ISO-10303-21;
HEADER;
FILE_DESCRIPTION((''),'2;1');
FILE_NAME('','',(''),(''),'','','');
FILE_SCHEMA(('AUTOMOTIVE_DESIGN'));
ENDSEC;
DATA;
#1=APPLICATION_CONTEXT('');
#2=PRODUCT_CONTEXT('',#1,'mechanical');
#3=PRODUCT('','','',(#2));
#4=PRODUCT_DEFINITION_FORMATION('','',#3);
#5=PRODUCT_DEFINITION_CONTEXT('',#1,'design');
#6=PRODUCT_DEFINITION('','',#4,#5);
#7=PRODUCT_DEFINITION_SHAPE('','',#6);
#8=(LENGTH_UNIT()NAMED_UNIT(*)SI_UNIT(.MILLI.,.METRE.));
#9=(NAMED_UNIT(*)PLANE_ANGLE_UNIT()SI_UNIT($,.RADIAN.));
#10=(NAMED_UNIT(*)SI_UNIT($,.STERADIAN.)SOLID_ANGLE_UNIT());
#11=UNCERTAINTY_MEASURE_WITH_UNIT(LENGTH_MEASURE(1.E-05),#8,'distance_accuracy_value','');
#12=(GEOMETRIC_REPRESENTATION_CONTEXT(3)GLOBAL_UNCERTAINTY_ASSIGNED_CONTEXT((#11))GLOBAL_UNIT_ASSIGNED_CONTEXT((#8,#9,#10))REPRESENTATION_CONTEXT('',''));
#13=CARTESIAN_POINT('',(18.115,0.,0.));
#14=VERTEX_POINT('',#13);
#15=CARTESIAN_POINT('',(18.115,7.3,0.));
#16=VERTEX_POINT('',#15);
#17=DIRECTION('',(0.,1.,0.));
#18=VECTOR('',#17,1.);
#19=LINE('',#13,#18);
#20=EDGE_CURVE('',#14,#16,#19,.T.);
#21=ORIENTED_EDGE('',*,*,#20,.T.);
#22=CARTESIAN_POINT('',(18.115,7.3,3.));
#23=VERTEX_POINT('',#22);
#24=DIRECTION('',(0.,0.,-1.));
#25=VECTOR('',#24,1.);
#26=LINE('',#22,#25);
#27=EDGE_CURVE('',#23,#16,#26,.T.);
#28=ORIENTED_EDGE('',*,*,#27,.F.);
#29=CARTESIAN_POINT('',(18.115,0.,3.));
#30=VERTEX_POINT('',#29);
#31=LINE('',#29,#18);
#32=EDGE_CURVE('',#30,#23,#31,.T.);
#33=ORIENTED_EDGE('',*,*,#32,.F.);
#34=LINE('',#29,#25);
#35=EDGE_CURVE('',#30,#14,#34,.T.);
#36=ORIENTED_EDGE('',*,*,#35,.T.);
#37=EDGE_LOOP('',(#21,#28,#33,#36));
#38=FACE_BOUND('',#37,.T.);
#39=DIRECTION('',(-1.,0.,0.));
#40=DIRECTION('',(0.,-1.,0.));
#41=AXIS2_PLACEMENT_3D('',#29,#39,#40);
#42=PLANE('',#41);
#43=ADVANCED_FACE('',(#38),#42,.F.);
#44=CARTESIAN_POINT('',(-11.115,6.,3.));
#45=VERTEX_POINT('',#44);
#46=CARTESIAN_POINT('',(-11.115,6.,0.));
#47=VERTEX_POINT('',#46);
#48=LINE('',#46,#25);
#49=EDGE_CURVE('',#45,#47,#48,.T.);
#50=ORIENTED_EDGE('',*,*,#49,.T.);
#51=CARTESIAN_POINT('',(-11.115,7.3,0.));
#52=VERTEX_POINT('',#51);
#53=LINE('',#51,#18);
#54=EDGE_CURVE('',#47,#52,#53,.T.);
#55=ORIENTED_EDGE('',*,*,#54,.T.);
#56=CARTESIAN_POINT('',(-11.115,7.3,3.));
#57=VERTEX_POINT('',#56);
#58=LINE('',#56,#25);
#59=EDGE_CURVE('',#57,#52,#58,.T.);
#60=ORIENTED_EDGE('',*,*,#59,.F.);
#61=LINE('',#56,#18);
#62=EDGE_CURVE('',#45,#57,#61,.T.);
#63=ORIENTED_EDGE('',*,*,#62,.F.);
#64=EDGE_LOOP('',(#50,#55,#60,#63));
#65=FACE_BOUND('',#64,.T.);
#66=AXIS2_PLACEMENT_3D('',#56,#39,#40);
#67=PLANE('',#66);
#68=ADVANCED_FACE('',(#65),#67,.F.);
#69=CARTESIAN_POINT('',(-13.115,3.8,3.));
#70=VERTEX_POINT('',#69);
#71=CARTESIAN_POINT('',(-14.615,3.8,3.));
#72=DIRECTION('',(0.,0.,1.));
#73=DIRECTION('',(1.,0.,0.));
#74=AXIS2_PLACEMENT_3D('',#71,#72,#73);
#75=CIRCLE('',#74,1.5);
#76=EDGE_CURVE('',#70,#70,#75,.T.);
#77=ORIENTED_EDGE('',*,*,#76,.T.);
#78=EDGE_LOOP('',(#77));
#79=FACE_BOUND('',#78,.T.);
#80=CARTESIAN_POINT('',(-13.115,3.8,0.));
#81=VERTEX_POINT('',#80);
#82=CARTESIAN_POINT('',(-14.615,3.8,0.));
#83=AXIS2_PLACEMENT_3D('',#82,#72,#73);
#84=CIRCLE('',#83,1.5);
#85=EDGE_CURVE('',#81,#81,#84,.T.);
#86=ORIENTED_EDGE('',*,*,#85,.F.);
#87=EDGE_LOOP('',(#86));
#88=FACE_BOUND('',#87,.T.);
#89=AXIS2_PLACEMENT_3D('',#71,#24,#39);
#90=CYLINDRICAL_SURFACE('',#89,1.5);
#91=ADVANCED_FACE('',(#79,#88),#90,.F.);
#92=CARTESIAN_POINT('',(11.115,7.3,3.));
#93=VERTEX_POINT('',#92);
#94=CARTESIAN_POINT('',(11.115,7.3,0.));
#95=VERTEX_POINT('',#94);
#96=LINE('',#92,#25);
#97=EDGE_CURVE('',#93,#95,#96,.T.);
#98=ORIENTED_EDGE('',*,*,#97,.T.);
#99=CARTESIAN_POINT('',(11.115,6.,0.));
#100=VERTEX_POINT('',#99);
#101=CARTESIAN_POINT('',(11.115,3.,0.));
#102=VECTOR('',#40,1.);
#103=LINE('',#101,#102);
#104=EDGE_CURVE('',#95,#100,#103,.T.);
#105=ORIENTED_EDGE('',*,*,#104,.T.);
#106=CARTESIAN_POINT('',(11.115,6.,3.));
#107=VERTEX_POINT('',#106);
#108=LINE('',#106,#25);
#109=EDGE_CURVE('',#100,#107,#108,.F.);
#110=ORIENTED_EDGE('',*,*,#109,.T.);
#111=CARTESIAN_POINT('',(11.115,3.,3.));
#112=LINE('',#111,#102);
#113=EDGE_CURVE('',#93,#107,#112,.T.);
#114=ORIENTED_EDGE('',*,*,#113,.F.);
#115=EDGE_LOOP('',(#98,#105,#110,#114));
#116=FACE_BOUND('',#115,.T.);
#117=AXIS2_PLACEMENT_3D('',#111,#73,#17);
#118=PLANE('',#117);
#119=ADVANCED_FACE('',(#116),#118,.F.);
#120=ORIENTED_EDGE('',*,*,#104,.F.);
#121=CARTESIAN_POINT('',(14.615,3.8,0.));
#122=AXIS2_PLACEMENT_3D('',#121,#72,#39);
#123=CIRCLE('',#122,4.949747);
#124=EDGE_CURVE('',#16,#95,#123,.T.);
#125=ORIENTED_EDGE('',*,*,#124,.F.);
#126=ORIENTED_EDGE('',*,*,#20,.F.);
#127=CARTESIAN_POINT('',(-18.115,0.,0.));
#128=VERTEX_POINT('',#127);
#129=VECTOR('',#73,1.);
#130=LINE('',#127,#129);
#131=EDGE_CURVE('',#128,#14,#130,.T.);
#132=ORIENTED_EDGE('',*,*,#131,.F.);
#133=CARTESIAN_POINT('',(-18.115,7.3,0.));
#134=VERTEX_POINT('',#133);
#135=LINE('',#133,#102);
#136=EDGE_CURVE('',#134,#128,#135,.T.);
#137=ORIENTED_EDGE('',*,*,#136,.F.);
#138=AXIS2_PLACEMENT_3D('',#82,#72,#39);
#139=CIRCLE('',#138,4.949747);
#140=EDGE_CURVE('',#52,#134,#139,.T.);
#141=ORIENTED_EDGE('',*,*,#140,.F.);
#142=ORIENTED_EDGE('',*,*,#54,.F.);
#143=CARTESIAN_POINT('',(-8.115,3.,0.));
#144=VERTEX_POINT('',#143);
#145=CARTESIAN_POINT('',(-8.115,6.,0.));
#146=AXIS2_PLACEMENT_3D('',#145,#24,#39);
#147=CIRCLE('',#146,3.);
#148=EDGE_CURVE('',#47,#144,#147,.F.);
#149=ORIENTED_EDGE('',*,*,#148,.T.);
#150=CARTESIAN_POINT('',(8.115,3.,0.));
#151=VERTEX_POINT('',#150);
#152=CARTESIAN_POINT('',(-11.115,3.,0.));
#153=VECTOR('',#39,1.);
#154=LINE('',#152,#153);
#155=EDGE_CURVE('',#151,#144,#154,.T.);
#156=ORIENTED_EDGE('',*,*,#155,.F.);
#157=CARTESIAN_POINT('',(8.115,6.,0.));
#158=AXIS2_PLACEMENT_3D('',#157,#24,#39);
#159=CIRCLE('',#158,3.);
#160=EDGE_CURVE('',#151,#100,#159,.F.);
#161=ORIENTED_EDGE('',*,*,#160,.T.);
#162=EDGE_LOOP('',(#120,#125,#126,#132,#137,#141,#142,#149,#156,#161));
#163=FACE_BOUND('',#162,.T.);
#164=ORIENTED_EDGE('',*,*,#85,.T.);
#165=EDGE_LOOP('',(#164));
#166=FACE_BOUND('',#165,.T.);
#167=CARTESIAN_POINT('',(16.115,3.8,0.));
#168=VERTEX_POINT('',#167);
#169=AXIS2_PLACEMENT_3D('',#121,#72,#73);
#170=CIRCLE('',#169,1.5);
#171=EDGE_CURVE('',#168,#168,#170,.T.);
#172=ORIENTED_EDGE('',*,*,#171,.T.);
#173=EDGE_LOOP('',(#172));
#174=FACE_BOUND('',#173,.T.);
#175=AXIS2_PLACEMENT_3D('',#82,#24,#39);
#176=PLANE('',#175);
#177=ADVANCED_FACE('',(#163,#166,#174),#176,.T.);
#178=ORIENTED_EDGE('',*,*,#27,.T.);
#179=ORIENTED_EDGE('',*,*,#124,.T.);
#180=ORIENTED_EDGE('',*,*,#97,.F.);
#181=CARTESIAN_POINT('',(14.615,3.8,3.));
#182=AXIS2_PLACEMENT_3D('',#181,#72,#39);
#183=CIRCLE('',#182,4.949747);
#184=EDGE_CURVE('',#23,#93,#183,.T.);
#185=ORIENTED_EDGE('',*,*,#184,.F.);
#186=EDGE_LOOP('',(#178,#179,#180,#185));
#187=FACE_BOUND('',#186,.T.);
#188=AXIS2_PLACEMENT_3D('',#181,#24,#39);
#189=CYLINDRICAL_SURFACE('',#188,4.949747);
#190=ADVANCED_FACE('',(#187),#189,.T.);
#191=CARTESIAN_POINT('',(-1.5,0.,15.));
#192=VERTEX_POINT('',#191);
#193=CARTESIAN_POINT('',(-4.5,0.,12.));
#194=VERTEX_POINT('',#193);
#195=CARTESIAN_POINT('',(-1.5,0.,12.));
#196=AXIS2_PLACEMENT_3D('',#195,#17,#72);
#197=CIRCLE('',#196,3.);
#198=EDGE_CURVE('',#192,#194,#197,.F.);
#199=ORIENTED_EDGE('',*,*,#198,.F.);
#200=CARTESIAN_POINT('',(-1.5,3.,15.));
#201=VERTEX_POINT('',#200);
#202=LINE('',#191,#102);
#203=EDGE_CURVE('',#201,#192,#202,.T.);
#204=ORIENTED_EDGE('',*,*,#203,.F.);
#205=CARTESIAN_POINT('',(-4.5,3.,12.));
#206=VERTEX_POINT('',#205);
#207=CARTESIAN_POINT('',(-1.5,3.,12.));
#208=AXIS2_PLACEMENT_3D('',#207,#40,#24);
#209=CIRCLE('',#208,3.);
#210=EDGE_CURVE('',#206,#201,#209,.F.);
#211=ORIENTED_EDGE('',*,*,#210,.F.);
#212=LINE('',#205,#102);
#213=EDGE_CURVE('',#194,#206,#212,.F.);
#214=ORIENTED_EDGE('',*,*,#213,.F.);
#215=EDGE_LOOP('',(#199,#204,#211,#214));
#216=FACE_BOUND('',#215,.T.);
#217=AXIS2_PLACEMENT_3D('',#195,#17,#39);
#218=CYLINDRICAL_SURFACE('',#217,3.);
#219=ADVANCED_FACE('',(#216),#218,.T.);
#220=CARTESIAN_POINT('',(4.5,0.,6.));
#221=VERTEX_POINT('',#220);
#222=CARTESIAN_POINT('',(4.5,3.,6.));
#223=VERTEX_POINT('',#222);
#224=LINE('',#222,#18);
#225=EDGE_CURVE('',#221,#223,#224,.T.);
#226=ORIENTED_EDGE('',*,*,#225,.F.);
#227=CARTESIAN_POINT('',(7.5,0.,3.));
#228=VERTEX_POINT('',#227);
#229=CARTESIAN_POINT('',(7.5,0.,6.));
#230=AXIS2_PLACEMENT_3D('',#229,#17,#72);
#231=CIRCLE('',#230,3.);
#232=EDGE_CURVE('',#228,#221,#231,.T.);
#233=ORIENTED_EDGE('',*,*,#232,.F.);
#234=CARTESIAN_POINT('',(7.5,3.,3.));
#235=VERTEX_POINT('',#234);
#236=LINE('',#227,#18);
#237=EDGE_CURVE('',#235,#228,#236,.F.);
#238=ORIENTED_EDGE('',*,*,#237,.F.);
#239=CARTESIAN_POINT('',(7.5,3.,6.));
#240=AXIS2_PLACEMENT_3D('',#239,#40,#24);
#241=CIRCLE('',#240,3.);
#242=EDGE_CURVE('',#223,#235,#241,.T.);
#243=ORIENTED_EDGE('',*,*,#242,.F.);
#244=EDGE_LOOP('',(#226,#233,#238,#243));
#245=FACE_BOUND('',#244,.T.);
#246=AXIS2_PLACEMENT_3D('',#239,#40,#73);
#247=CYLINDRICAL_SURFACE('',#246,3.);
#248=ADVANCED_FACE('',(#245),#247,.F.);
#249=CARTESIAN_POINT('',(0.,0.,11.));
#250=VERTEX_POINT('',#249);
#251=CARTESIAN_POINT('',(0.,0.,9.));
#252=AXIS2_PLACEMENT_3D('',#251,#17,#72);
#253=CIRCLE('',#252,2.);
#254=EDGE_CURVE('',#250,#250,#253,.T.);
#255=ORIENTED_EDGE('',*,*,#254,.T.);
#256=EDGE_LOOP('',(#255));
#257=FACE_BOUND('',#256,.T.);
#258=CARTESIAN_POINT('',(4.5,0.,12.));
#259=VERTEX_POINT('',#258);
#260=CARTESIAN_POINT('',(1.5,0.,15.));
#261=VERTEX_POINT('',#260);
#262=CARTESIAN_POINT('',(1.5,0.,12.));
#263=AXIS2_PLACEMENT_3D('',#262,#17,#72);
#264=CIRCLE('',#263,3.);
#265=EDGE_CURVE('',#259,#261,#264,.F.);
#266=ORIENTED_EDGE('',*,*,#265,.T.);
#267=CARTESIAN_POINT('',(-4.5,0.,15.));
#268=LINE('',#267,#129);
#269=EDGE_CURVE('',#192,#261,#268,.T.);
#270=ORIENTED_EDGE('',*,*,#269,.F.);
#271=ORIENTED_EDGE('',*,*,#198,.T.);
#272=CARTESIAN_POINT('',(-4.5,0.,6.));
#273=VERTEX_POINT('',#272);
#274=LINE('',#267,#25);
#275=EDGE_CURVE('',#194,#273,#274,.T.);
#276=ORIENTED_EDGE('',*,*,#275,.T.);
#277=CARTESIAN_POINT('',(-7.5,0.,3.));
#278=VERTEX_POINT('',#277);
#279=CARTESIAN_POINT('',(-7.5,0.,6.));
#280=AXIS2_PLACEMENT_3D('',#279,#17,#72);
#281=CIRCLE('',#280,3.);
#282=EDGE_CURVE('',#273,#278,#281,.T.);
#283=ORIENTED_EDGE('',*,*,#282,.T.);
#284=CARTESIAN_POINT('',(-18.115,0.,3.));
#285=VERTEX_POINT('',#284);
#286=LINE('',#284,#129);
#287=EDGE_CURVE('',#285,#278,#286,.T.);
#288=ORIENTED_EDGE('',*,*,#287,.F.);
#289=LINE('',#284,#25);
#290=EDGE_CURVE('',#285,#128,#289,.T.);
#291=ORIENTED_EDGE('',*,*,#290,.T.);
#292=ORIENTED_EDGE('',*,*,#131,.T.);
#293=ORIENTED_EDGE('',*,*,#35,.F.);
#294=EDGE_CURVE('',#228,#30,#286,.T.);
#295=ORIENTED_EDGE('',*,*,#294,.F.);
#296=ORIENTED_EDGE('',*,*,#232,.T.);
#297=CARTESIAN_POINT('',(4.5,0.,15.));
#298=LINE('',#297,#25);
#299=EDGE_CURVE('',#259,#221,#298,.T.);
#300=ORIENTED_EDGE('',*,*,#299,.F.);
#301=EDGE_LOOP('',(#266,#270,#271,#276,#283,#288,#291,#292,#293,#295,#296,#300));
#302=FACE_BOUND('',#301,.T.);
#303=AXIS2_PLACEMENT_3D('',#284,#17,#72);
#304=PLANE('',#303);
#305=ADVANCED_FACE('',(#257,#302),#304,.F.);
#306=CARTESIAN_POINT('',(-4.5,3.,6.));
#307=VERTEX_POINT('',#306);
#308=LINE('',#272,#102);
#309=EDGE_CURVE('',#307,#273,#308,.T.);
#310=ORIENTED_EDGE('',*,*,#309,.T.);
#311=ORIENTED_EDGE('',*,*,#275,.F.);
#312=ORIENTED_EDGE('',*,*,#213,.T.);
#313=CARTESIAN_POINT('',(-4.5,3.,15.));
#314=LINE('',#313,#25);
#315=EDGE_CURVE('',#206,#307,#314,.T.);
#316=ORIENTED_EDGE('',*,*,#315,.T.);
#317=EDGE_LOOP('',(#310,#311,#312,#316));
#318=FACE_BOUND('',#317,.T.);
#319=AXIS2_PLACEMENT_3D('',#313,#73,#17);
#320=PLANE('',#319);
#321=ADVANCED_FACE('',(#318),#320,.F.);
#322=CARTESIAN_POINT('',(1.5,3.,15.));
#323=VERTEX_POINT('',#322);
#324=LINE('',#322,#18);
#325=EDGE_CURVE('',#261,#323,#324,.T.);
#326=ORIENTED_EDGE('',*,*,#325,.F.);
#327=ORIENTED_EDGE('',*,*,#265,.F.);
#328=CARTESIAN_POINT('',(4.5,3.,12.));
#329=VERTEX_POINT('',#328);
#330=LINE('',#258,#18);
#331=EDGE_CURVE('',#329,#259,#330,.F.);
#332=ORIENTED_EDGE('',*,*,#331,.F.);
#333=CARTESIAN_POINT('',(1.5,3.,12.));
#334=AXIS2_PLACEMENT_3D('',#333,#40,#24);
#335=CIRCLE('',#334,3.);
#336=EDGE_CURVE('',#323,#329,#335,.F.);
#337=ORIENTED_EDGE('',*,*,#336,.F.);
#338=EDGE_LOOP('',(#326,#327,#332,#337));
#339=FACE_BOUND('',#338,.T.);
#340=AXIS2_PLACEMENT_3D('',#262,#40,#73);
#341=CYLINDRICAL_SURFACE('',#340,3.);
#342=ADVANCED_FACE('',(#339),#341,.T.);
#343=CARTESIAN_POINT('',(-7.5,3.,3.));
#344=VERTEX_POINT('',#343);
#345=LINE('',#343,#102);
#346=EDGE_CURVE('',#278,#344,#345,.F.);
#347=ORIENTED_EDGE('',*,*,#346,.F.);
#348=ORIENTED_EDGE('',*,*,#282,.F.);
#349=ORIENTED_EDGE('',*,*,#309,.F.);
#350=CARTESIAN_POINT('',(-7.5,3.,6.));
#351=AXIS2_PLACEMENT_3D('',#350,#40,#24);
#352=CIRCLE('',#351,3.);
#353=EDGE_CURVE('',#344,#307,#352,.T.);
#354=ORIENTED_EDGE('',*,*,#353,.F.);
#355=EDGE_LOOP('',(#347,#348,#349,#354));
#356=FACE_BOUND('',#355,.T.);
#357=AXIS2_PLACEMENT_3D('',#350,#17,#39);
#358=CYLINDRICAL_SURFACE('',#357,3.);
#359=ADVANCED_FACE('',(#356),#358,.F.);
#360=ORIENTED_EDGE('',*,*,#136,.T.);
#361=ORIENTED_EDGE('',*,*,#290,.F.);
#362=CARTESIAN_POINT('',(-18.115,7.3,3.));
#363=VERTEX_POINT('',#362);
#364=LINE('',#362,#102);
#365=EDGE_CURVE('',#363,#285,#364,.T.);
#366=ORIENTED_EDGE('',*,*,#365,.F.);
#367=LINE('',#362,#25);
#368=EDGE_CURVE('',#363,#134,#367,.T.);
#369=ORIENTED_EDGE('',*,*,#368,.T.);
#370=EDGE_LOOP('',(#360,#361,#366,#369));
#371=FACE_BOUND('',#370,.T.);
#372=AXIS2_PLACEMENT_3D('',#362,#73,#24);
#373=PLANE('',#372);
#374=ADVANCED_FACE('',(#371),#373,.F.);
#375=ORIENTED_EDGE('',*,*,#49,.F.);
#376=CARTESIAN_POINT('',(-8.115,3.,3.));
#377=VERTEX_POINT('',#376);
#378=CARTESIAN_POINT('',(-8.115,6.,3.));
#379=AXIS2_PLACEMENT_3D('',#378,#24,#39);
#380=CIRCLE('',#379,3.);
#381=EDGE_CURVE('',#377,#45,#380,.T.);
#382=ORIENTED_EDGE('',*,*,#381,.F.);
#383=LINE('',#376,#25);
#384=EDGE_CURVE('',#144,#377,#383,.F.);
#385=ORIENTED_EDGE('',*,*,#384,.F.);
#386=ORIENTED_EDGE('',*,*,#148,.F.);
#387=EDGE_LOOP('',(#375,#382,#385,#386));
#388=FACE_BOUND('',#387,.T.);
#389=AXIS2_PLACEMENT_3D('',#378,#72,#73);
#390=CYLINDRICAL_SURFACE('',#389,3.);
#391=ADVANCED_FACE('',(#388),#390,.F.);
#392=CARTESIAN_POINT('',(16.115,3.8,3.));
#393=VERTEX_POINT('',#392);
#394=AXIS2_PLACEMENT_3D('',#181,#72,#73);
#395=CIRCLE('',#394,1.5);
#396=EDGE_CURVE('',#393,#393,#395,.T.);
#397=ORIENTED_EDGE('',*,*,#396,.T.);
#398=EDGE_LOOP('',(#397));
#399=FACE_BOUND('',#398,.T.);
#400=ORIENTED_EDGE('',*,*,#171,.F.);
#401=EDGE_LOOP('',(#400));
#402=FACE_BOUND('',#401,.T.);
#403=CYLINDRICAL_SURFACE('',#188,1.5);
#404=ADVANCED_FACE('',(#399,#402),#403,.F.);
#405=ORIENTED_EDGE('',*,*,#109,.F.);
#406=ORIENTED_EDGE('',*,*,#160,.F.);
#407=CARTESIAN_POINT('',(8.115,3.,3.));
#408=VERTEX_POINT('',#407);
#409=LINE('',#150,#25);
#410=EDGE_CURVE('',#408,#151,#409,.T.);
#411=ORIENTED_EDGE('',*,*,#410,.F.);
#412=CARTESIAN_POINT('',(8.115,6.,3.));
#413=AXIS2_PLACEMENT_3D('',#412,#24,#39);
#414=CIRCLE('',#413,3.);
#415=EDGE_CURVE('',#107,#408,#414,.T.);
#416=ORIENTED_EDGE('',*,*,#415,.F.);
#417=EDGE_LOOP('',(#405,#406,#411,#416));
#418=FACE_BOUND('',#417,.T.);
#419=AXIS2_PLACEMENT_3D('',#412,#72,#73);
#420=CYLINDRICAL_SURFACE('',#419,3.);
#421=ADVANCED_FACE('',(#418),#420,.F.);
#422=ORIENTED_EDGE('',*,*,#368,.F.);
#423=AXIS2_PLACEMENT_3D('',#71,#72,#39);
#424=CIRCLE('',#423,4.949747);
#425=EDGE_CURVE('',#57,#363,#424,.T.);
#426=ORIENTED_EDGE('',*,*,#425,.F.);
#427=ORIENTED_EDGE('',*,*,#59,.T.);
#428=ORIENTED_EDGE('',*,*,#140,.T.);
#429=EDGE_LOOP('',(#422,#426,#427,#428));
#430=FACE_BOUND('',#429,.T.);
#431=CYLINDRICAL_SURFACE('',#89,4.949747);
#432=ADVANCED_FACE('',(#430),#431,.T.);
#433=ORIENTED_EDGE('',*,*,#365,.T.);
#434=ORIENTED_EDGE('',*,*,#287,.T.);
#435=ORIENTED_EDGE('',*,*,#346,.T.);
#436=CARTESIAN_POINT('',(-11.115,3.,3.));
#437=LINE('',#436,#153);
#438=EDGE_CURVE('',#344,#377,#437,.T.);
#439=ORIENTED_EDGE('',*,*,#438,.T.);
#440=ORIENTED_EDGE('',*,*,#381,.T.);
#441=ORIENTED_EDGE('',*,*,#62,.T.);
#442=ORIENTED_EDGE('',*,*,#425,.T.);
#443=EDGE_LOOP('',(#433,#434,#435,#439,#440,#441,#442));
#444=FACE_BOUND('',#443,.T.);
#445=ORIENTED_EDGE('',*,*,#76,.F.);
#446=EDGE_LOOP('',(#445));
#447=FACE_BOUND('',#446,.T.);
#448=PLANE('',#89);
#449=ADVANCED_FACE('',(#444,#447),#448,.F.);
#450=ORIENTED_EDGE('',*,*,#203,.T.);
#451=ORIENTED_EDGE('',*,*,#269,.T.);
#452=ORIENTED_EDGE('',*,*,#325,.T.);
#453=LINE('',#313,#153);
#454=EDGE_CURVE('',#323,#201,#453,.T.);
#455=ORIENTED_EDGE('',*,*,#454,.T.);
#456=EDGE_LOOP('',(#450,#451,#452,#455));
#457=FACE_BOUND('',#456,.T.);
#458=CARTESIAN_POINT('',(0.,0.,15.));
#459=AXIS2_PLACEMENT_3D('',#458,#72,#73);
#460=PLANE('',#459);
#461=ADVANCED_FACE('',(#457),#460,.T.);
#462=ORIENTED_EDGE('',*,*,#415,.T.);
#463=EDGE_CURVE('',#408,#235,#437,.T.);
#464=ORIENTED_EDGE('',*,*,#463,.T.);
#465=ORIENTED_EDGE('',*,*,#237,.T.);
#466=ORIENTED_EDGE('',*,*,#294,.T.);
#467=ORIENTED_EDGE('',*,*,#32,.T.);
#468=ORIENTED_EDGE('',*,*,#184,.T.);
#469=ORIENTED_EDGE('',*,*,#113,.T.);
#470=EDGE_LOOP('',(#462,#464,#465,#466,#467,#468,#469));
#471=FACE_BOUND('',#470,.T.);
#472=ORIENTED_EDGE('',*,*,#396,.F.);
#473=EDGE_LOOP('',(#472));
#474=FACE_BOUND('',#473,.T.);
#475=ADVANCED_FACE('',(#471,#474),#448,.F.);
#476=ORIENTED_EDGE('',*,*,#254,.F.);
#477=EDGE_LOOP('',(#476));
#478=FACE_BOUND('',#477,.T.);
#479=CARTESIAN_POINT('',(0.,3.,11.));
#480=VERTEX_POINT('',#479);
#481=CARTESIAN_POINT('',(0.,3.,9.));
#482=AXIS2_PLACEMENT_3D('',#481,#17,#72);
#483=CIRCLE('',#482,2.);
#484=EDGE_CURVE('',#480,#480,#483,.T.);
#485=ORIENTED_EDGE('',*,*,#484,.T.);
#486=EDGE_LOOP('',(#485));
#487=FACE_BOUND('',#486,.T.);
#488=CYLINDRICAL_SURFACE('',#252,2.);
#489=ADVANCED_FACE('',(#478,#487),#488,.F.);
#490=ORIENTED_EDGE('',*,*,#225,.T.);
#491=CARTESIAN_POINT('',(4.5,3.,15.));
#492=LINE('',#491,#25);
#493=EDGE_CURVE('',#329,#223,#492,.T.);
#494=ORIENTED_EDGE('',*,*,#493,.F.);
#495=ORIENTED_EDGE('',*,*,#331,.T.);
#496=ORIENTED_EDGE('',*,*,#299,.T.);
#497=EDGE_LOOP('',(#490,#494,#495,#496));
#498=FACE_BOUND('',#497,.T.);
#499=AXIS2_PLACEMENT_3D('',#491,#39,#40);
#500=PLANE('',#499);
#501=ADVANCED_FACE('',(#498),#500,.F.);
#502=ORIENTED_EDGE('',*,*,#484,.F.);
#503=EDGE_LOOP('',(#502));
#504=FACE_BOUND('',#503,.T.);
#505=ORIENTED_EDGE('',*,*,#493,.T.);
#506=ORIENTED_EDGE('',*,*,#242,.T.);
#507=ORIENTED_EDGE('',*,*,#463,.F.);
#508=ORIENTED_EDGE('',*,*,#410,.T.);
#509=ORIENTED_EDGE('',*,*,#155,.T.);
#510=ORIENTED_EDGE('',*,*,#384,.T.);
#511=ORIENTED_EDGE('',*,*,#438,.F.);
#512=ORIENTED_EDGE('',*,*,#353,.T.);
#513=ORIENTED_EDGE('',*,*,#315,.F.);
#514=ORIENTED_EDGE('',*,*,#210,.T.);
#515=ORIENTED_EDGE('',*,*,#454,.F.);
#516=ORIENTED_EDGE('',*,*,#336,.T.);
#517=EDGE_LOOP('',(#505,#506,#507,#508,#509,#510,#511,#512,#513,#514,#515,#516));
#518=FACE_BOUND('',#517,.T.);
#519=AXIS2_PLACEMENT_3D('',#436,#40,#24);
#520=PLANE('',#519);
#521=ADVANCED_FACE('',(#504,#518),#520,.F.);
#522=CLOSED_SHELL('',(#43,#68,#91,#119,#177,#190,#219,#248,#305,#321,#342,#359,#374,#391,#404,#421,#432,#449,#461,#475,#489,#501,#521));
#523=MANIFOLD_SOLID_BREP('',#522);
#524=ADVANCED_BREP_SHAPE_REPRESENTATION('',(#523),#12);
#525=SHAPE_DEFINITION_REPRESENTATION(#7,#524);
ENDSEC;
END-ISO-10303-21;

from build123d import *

# Parameters (mm, degrees)
ESQUISSE1_R             = 1.5
BOSS_EXTRU_1_DEPTH      = 3
ESQUISSE2_W             = 9
ESQUISSE2_H             = 3
BOSS_EXTRU_2_DEPTH      = 12
ESQUISSE3_R             = 2
ENL_V_MAT_EXTRU_1_DEPTH = 25.211832251
CONG_1_R                = 3


with BuildPart() as part:
    # Esquisse1 → Boss.-Extru.1 (new body)
    with BuildSketch(Plane.XY):
        with BuildLine():
            Line((-18.115, 7.3), (-18.115, 0))
            Line((-18.115, 0), (18.115, 0))
            Line((18.115, 0), (18.115, 7.3))
            ThreePointArc((18.115, 7.3), (14.615, 8.749747468), (11.115, 7.3))
            Line((11.115, 7.3), (11.115, 3))
            Line((11.115, 3), (-11.115, 3))
            Line((-11.115, 3), (-11.115, 7.3))
            ThreePointArc((-11.115, 7.3), (-14.615, 8.749747468), (-18.115, 7.3))
        make_face()
        with Locations((-14.615, 3.8)):
            Circle(ESQUISSE1_R, mode=Mode.SUBTRACT)
        with Locations((14.615, 3.8)):
            Circle(ESQUISSE1_R, mode=Mode.SUBTRACT)
    extrude(amount=BOSS_EXTRU_1_DEPTH)

    # Esquisse2 → Boss.-Extru.2 (add)
    with BuildSketch(Plane.XY.offset(3)):
        with Locations((0, 1.5)):
            Rectangle(ESQUISSE2_W, ESQUISSE2_H)
    extrude(amount=BOSS_EXTRU_2_DEPTH)

    # Esquisse3 → Enlèv. mat.-Extru.1 (cut, through all)
    with BuildSketch(Plane(origin=(0, 3, 0), x_dir=(1, 0, 0), z_dir=(0, 1, 0))):
        with Locations(Location((0, -9, 0), (0, 0, 270))):
            Circle(ESQUISSE3_R)
    extrude(amount=-ENL_V_MAT_EXTRU_1_DEPTH, mode=Mode.SUBTRACT)

    # Congé1
    cong_1_edges = [part.edges().sort_by_distance(p)[0] for p in [
        (-11.115, 3, 1.5),
        (11.115, 3, 1.5),
        (-4.5, 1.5, 3),
        (4.5, 1.5, 3),
        (-4.5, 1.5, 15),
        (4.5, 1.5, 15),
    ]]
    fillet(cong_1_edges, radius=CONG_1_R)


solid = part.part
